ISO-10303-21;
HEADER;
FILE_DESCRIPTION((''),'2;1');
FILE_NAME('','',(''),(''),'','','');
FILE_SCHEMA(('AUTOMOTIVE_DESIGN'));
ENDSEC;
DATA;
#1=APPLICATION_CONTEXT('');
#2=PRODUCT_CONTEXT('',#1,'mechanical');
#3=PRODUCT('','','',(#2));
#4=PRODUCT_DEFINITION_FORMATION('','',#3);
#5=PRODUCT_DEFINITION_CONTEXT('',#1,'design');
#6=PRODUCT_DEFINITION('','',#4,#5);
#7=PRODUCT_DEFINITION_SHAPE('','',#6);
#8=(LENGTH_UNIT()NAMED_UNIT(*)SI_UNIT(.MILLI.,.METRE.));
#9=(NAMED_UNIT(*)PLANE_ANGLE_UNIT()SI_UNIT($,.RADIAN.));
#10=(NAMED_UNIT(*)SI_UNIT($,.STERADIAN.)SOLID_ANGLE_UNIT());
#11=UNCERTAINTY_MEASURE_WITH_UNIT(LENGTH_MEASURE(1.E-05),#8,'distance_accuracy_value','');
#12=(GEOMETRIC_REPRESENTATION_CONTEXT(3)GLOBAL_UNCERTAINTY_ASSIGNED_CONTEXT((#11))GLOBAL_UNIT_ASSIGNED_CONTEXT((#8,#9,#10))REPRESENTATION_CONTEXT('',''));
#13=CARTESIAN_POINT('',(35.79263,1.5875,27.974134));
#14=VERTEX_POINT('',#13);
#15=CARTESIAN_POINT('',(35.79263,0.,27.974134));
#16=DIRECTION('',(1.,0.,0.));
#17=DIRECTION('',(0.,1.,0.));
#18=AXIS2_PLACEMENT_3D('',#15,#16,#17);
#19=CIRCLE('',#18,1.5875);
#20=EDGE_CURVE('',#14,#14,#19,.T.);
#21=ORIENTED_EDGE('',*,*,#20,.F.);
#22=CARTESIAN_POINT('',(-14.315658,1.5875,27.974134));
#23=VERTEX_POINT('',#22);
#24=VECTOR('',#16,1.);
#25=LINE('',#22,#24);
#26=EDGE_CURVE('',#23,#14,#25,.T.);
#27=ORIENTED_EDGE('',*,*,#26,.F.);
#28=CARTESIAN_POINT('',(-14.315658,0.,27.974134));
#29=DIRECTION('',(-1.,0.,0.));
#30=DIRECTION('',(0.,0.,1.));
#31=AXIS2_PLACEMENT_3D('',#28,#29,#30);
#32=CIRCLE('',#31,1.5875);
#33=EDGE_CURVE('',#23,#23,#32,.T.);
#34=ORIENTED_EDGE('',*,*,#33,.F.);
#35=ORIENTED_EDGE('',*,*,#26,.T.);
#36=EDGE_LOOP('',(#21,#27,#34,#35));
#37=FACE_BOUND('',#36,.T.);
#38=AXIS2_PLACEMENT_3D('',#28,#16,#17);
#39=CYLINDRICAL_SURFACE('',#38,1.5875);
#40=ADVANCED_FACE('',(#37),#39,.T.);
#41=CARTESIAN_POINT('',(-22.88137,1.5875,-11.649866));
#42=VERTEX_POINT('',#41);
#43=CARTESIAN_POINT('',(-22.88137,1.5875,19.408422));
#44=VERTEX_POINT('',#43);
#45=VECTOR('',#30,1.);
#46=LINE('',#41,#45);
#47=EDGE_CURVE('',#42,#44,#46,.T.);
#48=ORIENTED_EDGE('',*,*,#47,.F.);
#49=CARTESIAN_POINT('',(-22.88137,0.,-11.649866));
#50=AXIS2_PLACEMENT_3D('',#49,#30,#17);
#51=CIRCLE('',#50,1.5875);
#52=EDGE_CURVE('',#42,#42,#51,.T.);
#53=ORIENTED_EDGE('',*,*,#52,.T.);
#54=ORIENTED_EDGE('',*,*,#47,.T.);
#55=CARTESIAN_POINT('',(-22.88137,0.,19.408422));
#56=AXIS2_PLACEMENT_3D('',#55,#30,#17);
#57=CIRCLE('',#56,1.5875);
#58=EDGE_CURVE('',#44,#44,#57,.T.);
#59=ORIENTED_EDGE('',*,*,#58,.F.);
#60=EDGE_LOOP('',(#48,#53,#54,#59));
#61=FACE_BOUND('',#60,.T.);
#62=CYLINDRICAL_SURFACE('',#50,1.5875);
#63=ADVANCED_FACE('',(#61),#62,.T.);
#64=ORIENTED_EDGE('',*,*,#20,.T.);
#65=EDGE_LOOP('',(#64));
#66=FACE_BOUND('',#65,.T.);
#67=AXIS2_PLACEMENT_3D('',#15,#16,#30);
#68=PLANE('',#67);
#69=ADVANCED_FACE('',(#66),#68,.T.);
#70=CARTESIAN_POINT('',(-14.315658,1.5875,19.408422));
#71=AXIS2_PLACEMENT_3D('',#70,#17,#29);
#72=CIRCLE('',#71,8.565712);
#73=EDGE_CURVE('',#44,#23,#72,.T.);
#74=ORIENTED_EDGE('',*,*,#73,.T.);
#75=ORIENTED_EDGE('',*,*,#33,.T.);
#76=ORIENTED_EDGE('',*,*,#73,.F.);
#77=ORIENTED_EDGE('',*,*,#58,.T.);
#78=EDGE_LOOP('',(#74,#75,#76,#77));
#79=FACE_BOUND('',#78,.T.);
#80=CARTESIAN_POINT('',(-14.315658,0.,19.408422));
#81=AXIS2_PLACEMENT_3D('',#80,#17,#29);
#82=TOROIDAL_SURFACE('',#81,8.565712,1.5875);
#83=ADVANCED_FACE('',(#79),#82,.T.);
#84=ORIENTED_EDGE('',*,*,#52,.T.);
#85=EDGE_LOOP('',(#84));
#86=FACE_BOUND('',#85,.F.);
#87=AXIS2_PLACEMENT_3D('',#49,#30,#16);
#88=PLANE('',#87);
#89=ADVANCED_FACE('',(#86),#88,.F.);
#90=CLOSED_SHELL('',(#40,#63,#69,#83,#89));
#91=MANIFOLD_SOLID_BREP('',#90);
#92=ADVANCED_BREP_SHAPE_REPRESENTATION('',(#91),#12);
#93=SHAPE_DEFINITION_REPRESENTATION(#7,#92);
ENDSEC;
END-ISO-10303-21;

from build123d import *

# Parameters (mm, degrees)
F2_R = 1.5875


with BuildPart() as f3:
    # F3: sweep along a path in F0
    with BuildLine(Plane.XZ) as f3_path:
        Line((-22.8813700378, -11.6498660611), (-22.8813700378, 19.4084215909))
        ThreePointArc((-22.8813700378, 19.4084215909), (-20.3725309768, 25.4652948778), (-14.3156576899, 27.9741339389))
        Line((-14.3156576899, 27.9741339389), (35.7926299622, 27.9741339389))
    # F2 (on plane+point) → F3 (sweep)
    with BuildSketch(Plane.YZ.offset(35.7926299622)):
        with Locations((0, 27.9741339389)):
            Circle(F2_R)
    sweep(path=f3_path.line)


solid = f3.part
